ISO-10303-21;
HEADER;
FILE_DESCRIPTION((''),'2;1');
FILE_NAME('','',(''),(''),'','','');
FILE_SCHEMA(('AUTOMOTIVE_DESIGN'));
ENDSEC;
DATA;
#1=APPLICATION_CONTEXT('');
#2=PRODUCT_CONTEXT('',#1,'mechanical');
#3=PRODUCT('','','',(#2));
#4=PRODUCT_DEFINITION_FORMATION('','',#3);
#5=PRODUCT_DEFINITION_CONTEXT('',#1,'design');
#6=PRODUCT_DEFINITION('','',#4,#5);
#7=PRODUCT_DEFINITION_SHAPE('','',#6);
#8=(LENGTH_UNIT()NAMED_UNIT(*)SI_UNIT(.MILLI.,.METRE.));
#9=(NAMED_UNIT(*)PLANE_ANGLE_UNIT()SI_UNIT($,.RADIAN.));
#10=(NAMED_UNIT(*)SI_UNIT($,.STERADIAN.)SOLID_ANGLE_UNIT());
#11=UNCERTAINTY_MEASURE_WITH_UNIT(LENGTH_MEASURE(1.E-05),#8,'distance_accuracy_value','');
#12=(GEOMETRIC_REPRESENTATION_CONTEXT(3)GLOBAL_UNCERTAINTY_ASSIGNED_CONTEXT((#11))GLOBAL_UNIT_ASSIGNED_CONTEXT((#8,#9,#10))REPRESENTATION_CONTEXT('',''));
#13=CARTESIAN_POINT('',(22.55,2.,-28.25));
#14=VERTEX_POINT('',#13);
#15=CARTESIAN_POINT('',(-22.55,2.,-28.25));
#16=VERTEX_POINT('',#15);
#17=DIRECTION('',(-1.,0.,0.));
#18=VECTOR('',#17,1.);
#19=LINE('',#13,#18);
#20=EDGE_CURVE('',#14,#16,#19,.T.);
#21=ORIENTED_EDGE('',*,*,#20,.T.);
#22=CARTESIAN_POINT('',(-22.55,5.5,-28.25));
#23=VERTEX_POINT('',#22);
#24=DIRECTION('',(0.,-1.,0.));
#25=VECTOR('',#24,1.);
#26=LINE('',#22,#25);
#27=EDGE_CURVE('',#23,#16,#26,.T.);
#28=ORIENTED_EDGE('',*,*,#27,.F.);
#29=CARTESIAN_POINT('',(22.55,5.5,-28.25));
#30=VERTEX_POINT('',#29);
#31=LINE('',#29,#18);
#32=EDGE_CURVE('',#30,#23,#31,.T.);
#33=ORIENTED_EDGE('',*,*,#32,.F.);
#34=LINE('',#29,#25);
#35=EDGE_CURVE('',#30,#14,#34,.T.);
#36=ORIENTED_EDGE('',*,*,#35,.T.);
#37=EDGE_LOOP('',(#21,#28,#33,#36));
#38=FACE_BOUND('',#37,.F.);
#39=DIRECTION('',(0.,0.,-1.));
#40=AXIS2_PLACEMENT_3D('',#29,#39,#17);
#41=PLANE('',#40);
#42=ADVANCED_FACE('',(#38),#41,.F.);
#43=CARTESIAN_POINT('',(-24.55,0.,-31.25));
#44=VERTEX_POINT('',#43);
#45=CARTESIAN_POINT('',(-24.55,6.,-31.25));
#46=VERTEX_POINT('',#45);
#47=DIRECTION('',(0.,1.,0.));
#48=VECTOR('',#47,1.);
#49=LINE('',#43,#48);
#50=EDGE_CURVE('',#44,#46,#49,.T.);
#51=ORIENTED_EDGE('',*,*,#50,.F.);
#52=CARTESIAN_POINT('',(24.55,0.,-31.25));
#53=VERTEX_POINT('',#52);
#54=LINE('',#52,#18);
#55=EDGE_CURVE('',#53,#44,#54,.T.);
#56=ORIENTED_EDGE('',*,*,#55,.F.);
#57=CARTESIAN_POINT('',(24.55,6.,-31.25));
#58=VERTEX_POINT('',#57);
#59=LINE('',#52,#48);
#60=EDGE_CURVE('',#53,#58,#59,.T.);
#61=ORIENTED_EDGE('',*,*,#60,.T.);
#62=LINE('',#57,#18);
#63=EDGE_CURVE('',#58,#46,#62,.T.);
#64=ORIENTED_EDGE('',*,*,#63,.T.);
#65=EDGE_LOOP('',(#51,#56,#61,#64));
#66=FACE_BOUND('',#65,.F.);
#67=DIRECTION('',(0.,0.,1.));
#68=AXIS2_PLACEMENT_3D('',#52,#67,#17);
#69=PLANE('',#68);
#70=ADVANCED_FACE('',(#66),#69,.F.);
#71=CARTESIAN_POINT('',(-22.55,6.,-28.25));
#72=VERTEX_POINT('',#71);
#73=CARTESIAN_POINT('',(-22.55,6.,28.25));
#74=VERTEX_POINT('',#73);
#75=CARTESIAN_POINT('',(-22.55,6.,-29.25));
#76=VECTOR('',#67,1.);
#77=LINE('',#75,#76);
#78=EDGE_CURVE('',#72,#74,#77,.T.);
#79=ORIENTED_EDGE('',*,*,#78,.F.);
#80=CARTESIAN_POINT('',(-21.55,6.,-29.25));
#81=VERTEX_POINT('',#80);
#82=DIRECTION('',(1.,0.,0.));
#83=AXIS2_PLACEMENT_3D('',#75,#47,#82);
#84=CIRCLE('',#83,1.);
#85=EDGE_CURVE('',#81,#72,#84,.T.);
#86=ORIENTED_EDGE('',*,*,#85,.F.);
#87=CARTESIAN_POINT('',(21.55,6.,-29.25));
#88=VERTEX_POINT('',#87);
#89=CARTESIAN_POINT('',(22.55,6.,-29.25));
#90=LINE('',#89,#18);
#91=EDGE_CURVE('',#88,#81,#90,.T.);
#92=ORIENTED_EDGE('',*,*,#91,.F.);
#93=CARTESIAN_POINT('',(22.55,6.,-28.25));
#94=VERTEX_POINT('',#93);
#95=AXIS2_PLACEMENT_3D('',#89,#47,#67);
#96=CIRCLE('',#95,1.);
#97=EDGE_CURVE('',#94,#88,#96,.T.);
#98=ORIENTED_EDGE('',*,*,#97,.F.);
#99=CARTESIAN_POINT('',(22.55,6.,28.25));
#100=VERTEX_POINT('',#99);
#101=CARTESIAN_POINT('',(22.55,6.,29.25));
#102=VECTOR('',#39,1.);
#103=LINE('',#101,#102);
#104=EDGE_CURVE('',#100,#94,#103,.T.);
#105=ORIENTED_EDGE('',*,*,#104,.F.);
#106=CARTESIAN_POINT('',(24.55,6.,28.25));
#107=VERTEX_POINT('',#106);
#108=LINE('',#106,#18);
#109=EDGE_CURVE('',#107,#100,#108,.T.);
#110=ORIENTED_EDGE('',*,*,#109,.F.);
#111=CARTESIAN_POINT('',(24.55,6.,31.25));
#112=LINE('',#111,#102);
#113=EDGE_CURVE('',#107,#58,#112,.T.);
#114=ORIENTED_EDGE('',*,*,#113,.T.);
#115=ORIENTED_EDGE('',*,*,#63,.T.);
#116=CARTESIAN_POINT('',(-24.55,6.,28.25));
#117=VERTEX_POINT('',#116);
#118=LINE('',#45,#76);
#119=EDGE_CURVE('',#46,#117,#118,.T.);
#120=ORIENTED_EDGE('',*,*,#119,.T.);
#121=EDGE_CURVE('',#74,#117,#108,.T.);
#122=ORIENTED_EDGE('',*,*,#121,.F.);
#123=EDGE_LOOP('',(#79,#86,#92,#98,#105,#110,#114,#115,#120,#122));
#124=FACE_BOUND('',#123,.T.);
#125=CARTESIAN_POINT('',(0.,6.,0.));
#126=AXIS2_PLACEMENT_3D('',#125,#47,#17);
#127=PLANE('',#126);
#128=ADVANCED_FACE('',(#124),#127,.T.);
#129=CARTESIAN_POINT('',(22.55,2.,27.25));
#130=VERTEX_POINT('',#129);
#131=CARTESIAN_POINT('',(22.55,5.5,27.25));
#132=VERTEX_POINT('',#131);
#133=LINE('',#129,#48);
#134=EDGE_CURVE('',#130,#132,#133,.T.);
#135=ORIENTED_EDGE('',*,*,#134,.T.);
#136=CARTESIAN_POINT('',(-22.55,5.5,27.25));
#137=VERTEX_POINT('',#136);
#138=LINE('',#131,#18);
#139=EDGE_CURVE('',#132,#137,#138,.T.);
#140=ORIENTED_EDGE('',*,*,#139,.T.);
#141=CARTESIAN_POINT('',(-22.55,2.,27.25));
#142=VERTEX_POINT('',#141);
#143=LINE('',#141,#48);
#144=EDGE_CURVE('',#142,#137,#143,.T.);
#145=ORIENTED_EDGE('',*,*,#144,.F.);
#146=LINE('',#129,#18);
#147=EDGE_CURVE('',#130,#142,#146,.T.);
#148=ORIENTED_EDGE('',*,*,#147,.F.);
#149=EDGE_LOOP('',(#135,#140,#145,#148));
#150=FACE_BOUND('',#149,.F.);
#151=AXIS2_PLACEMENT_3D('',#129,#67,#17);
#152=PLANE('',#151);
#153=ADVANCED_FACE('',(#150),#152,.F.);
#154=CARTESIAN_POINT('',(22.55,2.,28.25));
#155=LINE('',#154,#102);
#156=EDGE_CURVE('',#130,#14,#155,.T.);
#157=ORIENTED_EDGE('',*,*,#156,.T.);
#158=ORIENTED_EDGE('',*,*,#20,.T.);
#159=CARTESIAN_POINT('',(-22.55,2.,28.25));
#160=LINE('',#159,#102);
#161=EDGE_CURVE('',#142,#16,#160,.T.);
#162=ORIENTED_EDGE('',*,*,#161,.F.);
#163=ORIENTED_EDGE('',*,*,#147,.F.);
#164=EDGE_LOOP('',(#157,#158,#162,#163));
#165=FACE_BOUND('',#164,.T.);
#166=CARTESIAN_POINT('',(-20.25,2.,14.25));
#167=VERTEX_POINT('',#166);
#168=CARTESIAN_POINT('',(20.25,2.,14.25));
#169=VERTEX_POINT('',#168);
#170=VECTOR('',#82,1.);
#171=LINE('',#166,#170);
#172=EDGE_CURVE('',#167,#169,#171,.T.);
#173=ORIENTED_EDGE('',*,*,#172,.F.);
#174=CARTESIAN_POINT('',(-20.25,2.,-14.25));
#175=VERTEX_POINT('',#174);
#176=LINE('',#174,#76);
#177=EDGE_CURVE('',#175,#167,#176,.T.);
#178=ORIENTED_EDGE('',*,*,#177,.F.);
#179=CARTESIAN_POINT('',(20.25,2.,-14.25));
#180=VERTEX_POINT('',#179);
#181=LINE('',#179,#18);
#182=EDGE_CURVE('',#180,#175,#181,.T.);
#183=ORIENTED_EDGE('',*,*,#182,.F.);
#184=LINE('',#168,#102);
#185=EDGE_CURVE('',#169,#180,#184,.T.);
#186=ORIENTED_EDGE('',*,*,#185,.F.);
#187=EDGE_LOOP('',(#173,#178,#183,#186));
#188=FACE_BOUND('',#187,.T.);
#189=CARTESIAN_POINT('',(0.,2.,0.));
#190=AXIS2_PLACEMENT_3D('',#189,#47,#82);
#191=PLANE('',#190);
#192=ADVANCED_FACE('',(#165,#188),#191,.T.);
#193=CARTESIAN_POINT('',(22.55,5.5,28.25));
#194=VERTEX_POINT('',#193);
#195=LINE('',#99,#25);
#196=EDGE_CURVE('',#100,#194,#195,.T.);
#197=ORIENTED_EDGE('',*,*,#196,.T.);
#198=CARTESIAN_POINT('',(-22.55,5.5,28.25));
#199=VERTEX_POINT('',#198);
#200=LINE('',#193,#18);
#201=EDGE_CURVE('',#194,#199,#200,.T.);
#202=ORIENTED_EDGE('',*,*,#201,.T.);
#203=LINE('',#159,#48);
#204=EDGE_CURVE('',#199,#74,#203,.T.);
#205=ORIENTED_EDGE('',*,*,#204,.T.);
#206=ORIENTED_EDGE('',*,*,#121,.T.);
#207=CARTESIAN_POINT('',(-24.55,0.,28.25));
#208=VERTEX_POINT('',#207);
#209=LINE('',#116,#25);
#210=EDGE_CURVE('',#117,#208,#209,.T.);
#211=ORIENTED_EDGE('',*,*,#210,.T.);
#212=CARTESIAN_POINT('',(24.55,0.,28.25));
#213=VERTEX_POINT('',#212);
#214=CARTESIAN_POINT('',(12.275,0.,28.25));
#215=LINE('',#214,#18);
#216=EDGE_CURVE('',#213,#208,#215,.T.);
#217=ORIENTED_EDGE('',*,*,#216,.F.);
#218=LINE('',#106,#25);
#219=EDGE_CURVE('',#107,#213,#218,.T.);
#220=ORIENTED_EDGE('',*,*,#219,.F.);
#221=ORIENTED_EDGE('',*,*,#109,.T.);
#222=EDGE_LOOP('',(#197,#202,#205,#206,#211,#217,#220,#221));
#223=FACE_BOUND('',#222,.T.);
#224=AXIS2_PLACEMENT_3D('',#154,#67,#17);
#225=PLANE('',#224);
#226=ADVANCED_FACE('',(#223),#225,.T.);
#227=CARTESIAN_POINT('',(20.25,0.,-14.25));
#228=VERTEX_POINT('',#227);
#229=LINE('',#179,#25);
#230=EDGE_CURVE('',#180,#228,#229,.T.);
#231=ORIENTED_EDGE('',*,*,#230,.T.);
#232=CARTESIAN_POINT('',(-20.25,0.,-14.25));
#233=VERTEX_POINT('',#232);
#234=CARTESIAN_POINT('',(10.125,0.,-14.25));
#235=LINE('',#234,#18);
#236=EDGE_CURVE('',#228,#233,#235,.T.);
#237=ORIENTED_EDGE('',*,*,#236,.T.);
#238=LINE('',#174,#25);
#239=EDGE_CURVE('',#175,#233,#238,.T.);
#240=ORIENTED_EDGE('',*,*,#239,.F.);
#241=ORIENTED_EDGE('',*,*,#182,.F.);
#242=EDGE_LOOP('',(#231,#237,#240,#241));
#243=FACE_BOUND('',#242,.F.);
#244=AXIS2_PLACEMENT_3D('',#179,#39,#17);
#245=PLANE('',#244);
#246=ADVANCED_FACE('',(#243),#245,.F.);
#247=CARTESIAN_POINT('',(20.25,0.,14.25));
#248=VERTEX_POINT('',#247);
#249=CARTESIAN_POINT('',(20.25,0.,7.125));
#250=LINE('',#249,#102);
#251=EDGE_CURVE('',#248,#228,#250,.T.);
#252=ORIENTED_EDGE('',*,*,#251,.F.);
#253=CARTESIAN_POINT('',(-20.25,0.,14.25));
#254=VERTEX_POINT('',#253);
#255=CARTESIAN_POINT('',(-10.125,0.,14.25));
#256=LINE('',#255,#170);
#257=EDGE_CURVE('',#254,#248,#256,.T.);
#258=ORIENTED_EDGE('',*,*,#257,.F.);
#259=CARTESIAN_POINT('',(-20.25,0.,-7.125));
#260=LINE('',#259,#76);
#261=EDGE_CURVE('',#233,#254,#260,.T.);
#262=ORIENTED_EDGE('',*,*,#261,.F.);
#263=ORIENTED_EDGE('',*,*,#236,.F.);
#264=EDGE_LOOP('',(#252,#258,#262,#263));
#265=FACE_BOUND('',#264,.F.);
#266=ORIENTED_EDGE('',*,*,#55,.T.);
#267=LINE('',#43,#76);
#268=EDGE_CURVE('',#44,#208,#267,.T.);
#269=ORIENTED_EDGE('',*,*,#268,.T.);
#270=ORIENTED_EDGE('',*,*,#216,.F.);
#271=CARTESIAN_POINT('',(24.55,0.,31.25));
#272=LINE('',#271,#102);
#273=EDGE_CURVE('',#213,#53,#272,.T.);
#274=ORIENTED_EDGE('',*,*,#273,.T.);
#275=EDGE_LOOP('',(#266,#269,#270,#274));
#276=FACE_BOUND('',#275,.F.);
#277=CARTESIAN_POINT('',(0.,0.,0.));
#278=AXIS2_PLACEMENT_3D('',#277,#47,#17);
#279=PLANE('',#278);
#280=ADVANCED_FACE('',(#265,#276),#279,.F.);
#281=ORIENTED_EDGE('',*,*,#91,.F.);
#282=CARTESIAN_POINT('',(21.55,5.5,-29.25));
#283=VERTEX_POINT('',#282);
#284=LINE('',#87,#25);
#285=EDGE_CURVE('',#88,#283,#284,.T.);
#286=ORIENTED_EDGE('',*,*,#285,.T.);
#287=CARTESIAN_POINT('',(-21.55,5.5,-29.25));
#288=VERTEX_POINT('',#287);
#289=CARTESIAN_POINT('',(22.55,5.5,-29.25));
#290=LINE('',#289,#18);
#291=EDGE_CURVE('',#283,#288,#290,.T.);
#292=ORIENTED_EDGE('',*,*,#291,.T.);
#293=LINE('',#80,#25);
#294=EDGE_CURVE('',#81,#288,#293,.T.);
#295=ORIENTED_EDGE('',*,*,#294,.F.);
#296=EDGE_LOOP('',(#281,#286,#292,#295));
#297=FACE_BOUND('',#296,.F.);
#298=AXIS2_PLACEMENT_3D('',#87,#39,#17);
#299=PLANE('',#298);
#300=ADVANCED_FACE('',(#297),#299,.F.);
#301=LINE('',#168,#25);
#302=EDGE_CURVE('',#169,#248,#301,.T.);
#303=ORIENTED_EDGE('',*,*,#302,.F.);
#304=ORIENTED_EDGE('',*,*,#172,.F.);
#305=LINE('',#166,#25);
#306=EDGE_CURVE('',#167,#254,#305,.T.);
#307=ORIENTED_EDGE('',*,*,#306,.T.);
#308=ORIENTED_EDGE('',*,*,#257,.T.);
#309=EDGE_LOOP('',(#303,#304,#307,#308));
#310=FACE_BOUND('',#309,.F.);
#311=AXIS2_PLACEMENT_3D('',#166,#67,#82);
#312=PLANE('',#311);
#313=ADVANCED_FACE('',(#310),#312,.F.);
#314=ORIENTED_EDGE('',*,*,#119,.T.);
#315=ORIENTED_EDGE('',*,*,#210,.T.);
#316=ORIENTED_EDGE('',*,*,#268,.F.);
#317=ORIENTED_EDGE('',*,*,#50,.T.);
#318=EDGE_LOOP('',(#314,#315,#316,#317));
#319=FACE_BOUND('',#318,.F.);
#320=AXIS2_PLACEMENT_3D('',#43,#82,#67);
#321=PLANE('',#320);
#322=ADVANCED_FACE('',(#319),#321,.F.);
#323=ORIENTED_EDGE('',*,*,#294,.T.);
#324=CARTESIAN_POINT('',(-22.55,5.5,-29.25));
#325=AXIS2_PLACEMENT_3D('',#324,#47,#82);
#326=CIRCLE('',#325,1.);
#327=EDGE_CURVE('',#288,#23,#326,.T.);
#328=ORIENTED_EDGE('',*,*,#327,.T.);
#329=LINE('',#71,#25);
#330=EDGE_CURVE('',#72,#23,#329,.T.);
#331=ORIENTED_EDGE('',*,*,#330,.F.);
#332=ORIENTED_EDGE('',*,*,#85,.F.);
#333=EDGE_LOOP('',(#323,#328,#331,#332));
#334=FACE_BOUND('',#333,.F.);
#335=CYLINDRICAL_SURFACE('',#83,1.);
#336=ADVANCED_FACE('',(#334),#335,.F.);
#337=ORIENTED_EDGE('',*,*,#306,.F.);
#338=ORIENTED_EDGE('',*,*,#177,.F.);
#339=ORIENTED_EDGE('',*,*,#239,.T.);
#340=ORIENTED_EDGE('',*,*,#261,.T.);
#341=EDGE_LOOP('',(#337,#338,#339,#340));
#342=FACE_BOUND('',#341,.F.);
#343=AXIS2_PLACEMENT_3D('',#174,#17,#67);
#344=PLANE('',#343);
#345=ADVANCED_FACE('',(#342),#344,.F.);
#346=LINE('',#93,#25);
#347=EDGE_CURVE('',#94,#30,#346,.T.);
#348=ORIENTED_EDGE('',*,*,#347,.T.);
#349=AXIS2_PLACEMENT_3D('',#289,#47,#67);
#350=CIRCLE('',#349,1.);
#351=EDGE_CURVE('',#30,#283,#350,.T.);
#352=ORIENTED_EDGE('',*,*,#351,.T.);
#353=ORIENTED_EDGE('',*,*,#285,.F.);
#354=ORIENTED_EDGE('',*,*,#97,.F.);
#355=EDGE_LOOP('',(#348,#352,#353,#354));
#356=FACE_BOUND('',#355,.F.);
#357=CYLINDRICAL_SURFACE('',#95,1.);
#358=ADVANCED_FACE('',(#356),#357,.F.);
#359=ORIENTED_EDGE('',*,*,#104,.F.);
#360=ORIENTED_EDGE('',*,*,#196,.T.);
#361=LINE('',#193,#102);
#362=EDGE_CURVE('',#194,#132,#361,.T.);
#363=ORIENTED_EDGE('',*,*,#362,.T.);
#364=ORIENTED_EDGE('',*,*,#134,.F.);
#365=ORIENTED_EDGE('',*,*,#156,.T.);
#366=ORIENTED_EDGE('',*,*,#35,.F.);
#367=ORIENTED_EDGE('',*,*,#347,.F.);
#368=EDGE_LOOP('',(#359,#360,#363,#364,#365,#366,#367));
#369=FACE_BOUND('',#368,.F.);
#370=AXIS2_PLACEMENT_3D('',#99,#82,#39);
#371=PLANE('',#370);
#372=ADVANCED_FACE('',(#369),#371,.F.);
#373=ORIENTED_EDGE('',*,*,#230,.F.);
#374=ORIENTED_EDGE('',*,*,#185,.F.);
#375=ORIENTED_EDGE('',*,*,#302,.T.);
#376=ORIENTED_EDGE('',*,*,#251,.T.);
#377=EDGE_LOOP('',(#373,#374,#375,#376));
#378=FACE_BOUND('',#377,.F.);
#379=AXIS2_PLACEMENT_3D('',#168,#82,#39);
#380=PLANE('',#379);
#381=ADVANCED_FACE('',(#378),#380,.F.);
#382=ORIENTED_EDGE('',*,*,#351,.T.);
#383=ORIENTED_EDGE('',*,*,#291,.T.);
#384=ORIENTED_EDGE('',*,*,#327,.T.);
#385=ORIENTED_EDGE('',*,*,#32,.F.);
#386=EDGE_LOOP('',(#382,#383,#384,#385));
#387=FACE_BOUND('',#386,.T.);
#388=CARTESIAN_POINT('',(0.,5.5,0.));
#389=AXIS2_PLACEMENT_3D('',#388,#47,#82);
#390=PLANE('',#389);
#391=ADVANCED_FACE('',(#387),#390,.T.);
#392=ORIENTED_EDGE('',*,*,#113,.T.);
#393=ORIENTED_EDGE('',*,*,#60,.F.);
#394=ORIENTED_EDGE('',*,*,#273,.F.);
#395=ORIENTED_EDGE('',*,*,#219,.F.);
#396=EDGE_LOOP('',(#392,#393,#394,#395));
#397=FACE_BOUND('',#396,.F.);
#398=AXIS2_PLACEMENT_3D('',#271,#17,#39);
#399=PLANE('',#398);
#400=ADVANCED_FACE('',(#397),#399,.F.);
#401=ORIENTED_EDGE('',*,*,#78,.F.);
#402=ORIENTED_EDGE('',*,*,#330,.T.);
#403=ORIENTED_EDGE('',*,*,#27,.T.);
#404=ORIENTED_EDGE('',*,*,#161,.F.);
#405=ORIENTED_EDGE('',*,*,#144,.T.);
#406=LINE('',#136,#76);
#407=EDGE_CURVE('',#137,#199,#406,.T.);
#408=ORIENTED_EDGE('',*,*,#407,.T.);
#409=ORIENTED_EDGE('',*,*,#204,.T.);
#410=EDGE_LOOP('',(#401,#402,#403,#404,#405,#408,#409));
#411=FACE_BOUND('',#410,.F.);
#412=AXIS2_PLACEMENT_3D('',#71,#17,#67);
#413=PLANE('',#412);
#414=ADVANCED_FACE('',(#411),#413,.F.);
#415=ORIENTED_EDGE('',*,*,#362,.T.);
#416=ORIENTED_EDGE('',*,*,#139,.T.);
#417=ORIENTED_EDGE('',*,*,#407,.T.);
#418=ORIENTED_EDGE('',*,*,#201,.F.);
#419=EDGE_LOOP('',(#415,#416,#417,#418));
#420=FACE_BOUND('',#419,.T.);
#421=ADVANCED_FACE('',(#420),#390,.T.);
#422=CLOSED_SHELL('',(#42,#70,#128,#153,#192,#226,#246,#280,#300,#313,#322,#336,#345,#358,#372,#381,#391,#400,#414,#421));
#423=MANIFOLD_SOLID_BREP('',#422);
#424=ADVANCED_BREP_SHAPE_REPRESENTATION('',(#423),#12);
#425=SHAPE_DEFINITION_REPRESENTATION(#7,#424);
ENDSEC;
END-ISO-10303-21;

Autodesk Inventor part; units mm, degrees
ref_plane "YZ Plane" through (0, 0, 0) normal (1, 0, 0) x (0, 1, 0)
ref_plane "XZ Plane" through (0, 0, 0) normal (0, 1, 0) x (-1, 0, 0)
ref_plane "XY Plane" through (0, 0, 0) normal (0, 0, 1) x (1, 0, 0)
sketch "Sketch1" plane through (0, 0, 0) normal (0, 1, 0) x (-1, 0, 0)
  line L0 (-24.55, -31.25) -> (24.55, -31.25)
  line L1 (24.55, -31.25) -> (24.55, 31.25)
  line L2 (24.55, 31.25) -> (-24.55, 31.25)
  line L3 (-24.55, 31.25) -> (-24.55, -31.25)
  line L4 (-24.55, -31.25) -> (24.55, 31.25) construction
  line L5 (24.55, -31.25) -> (-24.55, 31.25) construction
  point P0 (0, 0)
  dimension "d0" = 62.5
  dimension "d1" = 49.1
extrude "Extrusion1" add sketch "Sketch1" along normal blind 6
sketch "Sketch2" plane through (0, 6, 0) normal (0, 1, 0) x (1, 0, 0)
  line L0 (22.55, 29.25) -> (-22.55, 29.25)
  line L1 (-22.55, 29.25) -> (-22.55, -29.25)
  line L2 (-22.55, -29.25) -> (22.55, -29.25)
  line L3 (22.55, -29.25) -> (22.55, 29.25)
  line L4 (22.55, 29.25) -> (-22.55, -29.25) construction
  line L5 (-22.55, 29.25) -> (22.55, -29.25) construction
  line L6 (-24.55, 31.25) -> (-24.55, -31.25) projected
  line L7 (-24.55, -31.25) -> (24.55, -31.25) projected
  arc A0 (-22.55, -28.25) -> (-21.55, -29.25) centre (-22.55, -29.25) ccw
  arc A1 (21.55, -29.25) -> (22.55, -28.25) centre (22.55, -29.25) ccw
  arc A2 (-21.55, 29.25) -> (-22.55, 28.25) centre (-22.55, 29.25) ccw
  arc A3 (22.55, 28.25) -> (21.55, 29.25) centre (22.55, 29.25) ccw
  point P0 (0, 0)
  dimension "d4" = 2
  dimension "d5" = 2
  dimension "d32" = 1
  dimension "d33" = 1
  dimension "d34" = 1
  dimension "d35" = 1
extrude "Extrusion2" cut sketch "Sketch2" against normal blind 0.5
sketch "Sketch3" plane through (0, 5.5, 0) normal (0, 1, 0) x (1, 0, 0)
  line L0 (-22.55, -28.25) -> (-22.55, 28.25) projected
  line L1 (22.55, 28.25) -> (-22.55, 28.25)
  line L2 (-22.55, 28.25) -> (-22.55, -28.25)
  line L3 (-22.55, -28.25) -> (22.55, -28.25)
  line L4 (22.55, -28.25) -> (22.55, 28.25)
  line L5 (22.55, 28.25) -> (-22.55, -28.25) construction
  line L6 (-22.55, 28.25) -> (22.55, -28.25) construction
  line L7 (21.55, -29.25) -> (-21.55, -29.25) projected
  point P0 (0, 0)
  point P1 (-22.3, -29)
  point P2 (-22.3, 29)
  point P3 (22.3, -29)
  point P4 (-22.3, 28)
  point P5 (-21.55, -29.25)
  dimension "d8" = 1
extrude "Extrusion3" cut sketch "Sketch3" against normal blind 3.5
sketch "Sketch8" plane through (0, 2, 0) normal (0, 1, 0) x (1, 0, 0)
  line L0 (-20.25, -14.25) -> (20.25, -14.25)
  line L1 (20.25, -14.25) -> (20.25, 14.25)
  line L2 (20.25, 14.25) -> (-20.25, 14.25)
  line L3 (-20.25, 14.25) -> (-20.25, -14.25)
  line L4 (-20.25, -14.25) -> (20.25, 14.25) construction
  line L5 (20.25, -14.25) -> (-20.25, 14.25) construction
  point P0 (0, 0)
  dimension "d28" = 28.5
  dimension "d29" = 40.5
extrude "Extrusion6" cut sketch "Sketch8" against normal through all
sketch "Sketch9" plane through (0, 6, 0) normal (0, 1, 0) x (1, 0, 0)
  line L0 (24.55, -28.25) -> (-24.55, -28.25)
  line L1 (-24.55, -28.25) -> (-24.55, -31.25)
  line L2 (-24.55, -31.25) -> (24.55, -31.25)
  line L3 (24.55, -31.25) -> (24.55, -28.25)
  line L4 (24.55, -31.25) -> (24.55, 31.25) projected
  line L5 (-21.55, 29.25) -> (21.55, 29.25) projected
  point P0 (0, 0)
  dimension "d36" = 57.5
extrude "Extrusion7" cut sketch "Sketch9" against normal through all
sketch "Sketch10" plane through (0, 2, 0) normal (0, 1, 0) x (1, 0, 0)
  line L0 (22.55, -28.25) -> (-22.55, -28.25) projected
  line L1 (-22.55, -28.25) -> (22.55, -28.25)
  line L2 (22.55, -28.25) -> (22.55, -27.25)
  line L3 (22.55, -27.25) -> (-22.55, -27.25)
  line L4 (-22.55, -27.25) -> (-22.55, -28.25)
  point P0 (0, 0)
  dimension "d39" = 1
extrude "Extrusion8" add sketch "Sketch10" along normal up to surface (3.5 mm away)
equation "\"d5\" = d4"
equation "\"d33\" = d32"
equation "\"d34\" = d32"
equation "\"d35\" = d32"
properties part number "Module Cover" material "ABS Plastic"
